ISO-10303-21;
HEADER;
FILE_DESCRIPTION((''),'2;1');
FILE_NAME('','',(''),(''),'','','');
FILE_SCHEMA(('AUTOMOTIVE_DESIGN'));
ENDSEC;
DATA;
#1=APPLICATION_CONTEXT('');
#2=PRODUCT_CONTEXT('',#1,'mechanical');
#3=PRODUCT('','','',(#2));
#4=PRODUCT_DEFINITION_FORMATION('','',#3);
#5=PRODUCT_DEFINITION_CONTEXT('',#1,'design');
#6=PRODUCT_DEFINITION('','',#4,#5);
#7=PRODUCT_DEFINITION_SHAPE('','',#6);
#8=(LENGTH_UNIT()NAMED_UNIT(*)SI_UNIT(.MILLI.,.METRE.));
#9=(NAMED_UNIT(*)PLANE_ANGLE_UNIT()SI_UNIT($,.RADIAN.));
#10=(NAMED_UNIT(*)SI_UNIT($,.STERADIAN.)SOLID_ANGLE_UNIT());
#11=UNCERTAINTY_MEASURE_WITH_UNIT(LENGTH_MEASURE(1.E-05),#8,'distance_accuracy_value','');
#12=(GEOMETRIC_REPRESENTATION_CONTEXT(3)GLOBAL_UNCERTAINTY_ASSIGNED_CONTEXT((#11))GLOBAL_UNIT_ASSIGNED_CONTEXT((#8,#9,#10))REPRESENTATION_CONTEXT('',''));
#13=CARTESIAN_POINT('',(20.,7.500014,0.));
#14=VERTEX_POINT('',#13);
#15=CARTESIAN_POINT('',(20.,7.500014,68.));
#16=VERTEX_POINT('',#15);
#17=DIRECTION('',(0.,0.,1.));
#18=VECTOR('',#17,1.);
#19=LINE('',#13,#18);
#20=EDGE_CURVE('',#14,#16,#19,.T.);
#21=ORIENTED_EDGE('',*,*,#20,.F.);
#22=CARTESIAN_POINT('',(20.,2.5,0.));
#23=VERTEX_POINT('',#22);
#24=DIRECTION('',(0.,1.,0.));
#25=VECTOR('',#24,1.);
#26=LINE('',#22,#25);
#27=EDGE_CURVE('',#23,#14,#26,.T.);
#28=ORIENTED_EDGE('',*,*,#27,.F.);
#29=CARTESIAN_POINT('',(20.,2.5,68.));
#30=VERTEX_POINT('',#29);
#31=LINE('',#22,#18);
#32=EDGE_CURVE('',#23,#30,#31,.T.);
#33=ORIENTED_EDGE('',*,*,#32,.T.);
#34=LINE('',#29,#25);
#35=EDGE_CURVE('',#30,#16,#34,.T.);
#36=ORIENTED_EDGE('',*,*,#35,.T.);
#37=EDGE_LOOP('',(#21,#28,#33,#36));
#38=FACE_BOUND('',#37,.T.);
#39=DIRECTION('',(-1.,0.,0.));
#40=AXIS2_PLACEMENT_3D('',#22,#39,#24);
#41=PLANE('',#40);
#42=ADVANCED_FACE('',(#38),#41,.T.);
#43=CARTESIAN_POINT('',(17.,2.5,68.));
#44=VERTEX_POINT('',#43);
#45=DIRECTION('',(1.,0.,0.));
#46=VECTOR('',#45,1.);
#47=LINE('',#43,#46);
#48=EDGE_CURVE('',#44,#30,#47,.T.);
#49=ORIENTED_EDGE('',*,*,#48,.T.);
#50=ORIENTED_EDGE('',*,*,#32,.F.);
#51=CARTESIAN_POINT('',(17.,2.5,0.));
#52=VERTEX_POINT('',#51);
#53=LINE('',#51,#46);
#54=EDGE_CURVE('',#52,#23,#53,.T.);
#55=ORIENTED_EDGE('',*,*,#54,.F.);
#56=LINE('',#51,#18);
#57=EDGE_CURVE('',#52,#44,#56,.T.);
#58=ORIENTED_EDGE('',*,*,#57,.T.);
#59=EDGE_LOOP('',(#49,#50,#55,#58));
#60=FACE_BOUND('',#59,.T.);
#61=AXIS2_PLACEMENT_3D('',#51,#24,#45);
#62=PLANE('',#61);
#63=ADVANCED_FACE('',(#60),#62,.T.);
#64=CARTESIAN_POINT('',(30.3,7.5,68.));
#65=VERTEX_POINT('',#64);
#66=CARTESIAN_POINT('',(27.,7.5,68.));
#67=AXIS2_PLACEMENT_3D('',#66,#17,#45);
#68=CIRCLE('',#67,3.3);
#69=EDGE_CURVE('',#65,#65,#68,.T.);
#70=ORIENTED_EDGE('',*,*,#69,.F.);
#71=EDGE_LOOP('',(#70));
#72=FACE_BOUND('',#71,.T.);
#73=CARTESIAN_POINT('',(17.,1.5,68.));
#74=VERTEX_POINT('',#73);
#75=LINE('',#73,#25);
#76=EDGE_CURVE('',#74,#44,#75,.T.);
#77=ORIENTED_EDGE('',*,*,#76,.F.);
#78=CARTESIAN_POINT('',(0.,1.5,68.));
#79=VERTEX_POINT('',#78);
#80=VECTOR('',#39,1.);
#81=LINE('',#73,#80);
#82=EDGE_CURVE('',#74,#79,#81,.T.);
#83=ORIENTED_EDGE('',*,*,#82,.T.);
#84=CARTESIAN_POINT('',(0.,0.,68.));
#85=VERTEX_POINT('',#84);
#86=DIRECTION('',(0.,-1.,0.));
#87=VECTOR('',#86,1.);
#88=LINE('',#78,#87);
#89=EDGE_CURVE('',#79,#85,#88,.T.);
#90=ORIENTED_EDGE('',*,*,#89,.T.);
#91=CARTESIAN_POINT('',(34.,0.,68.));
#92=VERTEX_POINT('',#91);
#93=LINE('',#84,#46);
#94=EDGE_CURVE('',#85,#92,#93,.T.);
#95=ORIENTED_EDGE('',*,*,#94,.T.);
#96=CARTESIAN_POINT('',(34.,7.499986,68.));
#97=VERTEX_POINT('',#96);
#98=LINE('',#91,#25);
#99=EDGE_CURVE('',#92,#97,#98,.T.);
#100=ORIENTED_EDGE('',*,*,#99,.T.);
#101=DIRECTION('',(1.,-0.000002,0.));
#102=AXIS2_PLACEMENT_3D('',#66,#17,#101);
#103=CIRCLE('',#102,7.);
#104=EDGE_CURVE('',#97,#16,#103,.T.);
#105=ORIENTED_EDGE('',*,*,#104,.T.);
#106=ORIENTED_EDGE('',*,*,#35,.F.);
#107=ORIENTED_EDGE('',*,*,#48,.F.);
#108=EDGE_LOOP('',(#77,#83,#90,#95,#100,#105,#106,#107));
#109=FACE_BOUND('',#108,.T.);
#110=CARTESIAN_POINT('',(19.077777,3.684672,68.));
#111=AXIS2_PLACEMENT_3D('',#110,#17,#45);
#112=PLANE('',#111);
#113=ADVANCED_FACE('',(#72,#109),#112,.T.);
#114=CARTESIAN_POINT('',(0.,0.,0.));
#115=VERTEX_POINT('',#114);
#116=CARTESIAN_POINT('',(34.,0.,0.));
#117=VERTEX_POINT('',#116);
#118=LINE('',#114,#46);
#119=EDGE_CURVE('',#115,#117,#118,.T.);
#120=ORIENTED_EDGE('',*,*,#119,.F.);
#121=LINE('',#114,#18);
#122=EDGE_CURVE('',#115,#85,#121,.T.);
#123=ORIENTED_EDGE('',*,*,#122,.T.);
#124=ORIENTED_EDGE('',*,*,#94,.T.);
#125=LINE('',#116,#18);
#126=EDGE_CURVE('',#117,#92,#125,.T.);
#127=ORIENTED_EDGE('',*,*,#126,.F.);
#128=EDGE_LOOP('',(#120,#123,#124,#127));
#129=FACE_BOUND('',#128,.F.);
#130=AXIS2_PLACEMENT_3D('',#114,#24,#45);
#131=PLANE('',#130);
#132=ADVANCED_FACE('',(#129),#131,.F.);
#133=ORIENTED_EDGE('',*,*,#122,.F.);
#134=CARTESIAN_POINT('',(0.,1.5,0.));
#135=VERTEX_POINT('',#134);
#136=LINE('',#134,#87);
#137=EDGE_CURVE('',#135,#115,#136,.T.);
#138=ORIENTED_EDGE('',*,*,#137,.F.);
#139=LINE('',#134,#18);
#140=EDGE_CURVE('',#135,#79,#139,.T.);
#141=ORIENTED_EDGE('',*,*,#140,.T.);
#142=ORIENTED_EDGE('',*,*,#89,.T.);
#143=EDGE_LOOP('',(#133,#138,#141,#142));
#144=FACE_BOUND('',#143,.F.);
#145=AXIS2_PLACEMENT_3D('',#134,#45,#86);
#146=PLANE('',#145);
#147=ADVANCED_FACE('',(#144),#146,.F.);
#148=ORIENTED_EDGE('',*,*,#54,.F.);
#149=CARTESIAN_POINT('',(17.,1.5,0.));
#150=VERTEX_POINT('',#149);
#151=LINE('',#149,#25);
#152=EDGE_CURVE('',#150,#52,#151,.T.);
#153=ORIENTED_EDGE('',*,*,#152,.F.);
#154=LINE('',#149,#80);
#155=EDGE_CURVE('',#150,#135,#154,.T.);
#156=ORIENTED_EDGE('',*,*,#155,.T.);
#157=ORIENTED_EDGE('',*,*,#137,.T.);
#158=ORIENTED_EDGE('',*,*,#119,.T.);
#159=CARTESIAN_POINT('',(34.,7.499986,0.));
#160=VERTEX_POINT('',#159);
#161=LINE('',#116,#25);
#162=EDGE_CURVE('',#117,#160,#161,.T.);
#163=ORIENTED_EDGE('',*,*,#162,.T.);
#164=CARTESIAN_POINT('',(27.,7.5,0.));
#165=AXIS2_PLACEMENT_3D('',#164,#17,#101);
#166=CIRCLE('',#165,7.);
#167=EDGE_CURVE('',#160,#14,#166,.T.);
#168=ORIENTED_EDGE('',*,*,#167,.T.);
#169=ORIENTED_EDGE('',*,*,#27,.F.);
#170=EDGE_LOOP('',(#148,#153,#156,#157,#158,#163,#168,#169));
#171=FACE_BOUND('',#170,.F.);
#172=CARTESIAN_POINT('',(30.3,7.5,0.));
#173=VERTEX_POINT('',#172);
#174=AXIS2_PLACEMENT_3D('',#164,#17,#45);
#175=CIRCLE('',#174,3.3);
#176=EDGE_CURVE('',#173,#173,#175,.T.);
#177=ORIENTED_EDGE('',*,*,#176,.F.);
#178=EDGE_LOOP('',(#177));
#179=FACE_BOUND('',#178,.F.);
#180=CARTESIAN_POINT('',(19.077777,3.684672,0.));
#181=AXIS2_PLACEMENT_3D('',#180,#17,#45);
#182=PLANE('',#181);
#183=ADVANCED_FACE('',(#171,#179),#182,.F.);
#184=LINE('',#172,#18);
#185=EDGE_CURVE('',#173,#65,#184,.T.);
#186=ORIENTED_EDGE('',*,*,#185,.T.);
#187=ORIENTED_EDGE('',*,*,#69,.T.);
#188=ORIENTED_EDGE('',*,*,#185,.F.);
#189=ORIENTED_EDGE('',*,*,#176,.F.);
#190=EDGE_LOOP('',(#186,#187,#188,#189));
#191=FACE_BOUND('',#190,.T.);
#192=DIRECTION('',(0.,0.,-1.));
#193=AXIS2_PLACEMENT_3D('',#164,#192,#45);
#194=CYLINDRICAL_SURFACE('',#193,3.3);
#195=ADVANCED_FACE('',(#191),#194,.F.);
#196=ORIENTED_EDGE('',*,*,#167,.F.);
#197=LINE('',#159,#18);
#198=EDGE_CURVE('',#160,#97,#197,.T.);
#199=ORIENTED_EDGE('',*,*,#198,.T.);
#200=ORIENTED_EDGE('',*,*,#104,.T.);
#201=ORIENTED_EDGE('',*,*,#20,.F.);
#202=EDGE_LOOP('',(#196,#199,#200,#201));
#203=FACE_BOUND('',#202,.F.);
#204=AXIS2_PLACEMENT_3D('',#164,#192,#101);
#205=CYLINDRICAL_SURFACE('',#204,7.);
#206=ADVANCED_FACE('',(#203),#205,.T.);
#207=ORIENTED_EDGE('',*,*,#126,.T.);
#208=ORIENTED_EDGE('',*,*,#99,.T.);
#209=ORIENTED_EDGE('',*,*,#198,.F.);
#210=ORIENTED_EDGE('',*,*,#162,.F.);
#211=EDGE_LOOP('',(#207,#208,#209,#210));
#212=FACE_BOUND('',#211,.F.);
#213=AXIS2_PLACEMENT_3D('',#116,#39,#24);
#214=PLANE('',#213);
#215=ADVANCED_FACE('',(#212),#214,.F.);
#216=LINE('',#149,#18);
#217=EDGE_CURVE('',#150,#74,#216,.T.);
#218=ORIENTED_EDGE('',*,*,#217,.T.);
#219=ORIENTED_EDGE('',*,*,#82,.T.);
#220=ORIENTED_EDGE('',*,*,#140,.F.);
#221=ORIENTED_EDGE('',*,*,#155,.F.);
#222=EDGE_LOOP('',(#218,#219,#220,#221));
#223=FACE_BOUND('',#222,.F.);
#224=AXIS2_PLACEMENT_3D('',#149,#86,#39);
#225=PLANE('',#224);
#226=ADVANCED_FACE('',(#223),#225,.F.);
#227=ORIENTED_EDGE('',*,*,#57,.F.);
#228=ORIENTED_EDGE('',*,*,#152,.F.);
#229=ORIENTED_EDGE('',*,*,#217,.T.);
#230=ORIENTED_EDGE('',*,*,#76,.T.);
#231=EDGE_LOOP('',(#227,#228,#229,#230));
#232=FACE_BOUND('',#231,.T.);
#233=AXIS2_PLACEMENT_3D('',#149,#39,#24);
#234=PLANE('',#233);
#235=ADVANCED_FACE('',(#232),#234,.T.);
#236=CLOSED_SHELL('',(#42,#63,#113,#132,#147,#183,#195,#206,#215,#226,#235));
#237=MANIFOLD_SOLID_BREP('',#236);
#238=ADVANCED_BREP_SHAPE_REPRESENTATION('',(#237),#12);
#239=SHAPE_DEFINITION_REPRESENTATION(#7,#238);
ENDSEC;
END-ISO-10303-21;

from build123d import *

# Parameters (mm, degrees)
SKETCH_R  = 3.3
PAD_DEPTH = 68


with BuildPart() as part:
    # Sketch → Pad (new body)
    with BuildSketch(Plane.XY):
        with BuildLine():
            Line((17, 1.5), (0, 1.5))
            Line((0, 1.5), (0, 0))
            Line((0, 0), (34, 0))
            Line((34, 0), (34, 7.499986))
            ThreePointArc((34, 7.499986), (27.000014, 14.5), (20, 7.500014))
            Line((20, 2.5), (20, 7.500014))
            Line((17, 2.5), (20, 2.5))
            Line((17, 1.5), (17, 2.5))
        make_face()
        with Locations((27, 7.5)):
            Circle(SKETCH_R, mode=Mode.SUBTRACT)
    extrude(amount=PAD_DEPTH)


solid = part.part
